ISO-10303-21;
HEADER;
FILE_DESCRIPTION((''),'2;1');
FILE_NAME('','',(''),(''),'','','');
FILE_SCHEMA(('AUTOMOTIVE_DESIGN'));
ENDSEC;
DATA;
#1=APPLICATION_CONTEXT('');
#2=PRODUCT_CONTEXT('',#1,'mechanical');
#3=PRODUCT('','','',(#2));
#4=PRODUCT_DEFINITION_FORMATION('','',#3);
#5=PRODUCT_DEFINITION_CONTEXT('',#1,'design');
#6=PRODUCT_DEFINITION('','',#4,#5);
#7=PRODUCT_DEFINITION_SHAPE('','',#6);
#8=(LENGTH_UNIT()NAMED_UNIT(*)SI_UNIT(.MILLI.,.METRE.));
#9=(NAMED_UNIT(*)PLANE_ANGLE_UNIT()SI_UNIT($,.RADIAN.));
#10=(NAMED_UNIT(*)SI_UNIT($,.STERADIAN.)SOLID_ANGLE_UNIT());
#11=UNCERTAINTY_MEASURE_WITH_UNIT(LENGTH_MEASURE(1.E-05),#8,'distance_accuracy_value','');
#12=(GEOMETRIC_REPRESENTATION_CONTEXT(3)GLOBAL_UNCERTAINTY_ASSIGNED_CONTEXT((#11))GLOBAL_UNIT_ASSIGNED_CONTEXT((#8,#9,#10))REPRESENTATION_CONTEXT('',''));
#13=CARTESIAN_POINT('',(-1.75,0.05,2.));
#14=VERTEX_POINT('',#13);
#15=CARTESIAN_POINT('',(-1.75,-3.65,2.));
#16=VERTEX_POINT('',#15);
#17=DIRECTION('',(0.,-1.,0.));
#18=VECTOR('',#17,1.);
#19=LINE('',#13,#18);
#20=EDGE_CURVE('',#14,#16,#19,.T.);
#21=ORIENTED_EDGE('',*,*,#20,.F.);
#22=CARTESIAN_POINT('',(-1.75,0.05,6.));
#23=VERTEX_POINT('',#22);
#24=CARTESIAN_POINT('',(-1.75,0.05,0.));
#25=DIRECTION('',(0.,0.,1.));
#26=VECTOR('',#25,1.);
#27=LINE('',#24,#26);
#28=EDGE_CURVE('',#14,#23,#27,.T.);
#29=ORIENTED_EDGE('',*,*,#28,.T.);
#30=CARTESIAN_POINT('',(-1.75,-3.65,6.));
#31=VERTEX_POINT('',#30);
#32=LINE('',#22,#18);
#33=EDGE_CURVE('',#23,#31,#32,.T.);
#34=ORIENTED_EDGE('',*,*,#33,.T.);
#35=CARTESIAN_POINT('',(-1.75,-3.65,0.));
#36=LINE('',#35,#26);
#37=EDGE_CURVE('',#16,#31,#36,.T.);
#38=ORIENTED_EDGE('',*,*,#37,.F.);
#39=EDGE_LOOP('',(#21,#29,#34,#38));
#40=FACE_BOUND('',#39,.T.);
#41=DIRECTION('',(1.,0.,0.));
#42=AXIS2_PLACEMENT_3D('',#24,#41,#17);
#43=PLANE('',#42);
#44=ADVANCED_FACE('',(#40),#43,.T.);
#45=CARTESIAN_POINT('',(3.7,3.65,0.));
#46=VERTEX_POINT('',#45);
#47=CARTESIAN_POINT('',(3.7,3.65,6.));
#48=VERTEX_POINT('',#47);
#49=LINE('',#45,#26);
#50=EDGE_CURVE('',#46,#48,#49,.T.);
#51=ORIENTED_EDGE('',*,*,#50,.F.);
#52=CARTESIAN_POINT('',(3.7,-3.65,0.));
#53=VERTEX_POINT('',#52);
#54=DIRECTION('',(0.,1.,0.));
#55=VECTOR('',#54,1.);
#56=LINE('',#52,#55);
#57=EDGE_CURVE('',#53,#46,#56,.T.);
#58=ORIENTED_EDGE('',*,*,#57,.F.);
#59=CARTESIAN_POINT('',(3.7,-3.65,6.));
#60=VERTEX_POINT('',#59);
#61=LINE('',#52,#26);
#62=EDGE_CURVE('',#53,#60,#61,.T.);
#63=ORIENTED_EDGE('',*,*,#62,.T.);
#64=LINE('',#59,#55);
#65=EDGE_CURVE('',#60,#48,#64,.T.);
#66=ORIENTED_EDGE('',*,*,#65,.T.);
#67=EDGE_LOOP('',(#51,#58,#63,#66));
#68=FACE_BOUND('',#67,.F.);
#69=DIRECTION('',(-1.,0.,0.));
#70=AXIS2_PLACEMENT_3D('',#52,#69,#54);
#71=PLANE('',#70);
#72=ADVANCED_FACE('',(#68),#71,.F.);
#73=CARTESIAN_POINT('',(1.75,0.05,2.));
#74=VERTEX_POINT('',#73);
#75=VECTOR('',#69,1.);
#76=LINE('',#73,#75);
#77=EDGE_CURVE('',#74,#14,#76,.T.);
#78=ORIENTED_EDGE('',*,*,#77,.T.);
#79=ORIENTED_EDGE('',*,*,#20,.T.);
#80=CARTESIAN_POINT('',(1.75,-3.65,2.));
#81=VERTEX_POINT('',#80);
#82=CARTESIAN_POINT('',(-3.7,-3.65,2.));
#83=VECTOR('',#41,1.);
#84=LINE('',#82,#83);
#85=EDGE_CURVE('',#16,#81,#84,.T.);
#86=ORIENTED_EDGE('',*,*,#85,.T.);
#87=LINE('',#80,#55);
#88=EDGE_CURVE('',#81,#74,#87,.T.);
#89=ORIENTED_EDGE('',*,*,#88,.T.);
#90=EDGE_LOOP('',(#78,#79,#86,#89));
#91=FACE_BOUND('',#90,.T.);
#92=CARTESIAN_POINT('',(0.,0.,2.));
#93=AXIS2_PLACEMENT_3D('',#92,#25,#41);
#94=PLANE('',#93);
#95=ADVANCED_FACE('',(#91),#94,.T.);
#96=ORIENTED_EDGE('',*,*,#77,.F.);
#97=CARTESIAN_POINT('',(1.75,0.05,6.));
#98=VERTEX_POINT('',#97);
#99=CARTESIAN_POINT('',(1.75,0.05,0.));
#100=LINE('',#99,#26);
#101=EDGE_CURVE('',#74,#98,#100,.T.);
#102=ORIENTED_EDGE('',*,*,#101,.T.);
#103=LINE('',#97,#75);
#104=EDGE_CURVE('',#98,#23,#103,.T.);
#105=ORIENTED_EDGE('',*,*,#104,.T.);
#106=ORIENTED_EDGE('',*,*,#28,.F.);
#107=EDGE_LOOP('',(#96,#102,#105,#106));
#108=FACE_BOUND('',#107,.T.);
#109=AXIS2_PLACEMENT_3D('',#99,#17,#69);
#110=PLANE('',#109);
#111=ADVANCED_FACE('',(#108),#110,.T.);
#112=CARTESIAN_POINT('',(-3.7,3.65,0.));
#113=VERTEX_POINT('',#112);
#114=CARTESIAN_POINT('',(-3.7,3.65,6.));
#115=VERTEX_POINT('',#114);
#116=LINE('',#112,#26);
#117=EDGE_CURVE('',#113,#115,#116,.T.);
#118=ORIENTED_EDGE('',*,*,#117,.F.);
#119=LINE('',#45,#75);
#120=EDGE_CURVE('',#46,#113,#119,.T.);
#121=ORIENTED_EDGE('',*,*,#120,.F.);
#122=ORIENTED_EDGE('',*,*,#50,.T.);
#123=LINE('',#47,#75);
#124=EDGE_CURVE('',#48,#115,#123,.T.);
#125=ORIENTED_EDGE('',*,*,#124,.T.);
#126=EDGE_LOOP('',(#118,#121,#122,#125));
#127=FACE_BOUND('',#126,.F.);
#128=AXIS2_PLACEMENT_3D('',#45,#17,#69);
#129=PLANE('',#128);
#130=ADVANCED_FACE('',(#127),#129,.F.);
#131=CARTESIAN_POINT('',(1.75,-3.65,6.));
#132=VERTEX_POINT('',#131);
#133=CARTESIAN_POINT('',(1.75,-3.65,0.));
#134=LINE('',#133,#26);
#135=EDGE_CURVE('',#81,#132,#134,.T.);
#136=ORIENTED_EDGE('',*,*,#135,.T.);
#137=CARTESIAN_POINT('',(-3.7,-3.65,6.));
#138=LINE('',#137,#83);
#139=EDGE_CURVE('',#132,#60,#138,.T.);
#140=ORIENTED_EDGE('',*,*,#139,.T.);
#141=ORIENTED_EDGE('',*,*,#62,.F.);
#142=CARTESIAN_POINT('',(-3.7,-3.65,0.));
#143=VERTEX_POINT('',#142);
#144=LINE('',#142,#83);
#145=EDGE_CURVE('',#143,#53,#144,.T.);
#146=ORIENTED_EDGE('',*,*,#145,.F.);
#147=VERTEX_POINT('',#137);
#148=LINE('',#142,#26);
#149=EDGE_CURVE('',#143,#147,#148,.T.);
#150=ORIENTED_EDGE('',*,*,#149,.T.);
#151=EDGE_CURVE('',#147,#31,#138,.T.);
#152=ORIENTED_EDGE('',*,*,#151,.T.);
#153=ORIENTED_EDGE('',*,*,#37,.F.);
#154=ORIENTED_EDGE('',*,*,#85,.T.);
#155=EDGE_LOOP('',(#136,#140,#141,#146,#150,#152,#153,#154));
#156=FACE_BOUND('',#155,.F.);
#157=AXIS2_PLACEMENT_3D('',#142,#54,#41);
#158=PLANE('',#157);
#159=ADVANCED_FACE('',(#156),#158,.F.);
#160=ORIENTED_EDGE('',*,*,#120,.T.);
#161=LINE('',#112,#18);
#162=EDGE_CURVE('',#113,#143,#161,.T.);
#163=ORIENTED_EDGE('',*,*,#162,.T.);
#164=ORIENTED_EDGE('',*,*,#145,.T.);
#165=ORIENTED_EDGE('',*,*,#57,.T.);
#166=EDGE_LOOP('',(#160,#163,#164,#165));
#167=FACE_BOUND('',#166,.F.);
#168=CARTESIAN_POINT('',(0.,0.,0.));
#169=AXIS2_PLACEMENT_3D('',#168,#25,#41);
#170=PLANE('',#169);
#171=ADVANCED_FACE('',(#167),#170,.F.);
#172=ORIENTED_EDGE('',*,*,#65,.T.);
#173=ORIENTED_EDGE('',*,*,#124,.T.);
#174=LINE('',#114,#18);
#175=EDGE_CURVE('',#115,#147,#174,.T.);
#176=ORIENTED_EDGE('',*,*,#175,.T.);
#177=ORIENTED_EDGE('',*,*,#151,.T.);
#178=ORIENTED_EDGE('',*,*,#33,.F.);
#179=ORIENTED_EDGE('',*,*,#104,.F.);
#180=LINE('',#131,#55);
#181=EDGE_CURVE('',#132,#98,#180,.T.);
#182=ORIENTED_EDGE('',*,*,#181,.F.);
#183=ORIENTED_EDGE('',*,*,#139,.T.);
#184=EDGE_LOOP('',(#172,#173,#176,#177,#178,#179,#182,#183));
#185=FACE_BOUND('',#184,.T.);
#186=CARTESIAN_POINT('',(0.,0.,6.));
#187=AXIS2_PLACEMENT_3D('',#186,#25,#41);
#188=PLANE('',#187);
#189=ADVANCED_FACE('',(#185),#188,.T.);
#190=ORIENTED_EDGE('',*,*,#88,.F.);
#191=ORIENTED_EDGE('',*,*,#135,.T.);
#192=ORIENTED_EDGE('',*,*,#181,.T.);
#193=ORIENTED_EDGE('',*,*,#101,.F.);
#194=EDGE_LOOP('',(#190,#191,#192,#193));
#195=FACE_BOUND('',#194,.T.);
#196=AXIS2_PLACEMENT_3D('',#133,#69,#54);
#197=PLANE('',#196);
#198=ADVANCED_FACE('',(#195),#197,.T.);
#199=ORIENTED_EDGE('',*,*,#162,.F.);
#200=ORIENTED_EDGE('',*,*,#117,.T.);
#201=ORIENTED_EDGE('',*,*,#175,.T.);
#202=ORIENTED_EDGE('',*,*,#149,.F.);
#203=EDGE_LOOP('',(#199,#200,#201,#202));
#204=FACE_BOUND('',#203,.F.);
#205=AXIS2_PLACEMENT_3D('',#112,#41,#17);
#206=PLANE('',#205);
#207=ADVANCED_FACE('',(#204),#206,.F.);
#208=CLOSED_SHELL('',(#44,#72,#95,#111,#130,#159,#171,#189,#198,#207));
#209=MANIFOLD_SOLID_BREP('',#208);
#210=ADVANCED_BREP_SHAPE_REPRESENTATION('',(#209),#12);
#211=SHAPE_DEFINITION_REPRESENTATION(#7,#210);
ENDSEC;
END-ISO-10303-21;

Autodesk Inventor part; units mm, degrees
ref_plane "YZ Plane" through (0, 0, 0) normal (1, 0, 0) x (0, 1, 0)
ref_plane "XZ Plane" through (0, 0, 0) normal (0, 1, 0) x (-1, 0, 0)
ref_plane "XY Plane" through (0, 0, 0) normal (0, 0, 1) x (1, 0, 0)
sketch "Sketch1" plane through (0, 0, 0) normal (0, 0, 1) x (1, 0, 0)
  line L0 (-3.7, -3.65) -> (3.7, -3.65)
  line L1 (3.7, -3.65) -> (3.7, 3.65)
  line L2 (3.7, 3.65) -> (-3.7, 3.65)
  line L3 (-3.7, 3.65) -> (-3.7, -3.65)
  line L4 (-3.7, -3.65) -> (3.7, 3.65) construction
  line L5 (3.7, -3.65) -> (-3.7, 3.65) construction
  line L6 (-1.75, -3.65) -> (1.75, -3.65)
  line L7 (1.75, -3.65) -> (1.75, 0.05)
  line L8 (1.75, 0.05) -> (-1.75, 0.05)
  line L9 (-1.75, 0.05) -> (-1.75, -3.65)
  point P0 (0, 0)
  point P1 (0, 0.05)
  dimension "d0" = 7.4
  dimension "d1" = 7.3
  dimension "d2" = 3.5
  dimension "d3" = 3.7
extrude "Extrusion1" add sketch "Sketch1" along normal blind 6 contours L3 L2 L1 L0 L7 L8 L9
extrude "Extrusion2" add sketch "Sketch1" along normal blind 2 contours L9 L8 L7 L0
properties part number "Socket"
